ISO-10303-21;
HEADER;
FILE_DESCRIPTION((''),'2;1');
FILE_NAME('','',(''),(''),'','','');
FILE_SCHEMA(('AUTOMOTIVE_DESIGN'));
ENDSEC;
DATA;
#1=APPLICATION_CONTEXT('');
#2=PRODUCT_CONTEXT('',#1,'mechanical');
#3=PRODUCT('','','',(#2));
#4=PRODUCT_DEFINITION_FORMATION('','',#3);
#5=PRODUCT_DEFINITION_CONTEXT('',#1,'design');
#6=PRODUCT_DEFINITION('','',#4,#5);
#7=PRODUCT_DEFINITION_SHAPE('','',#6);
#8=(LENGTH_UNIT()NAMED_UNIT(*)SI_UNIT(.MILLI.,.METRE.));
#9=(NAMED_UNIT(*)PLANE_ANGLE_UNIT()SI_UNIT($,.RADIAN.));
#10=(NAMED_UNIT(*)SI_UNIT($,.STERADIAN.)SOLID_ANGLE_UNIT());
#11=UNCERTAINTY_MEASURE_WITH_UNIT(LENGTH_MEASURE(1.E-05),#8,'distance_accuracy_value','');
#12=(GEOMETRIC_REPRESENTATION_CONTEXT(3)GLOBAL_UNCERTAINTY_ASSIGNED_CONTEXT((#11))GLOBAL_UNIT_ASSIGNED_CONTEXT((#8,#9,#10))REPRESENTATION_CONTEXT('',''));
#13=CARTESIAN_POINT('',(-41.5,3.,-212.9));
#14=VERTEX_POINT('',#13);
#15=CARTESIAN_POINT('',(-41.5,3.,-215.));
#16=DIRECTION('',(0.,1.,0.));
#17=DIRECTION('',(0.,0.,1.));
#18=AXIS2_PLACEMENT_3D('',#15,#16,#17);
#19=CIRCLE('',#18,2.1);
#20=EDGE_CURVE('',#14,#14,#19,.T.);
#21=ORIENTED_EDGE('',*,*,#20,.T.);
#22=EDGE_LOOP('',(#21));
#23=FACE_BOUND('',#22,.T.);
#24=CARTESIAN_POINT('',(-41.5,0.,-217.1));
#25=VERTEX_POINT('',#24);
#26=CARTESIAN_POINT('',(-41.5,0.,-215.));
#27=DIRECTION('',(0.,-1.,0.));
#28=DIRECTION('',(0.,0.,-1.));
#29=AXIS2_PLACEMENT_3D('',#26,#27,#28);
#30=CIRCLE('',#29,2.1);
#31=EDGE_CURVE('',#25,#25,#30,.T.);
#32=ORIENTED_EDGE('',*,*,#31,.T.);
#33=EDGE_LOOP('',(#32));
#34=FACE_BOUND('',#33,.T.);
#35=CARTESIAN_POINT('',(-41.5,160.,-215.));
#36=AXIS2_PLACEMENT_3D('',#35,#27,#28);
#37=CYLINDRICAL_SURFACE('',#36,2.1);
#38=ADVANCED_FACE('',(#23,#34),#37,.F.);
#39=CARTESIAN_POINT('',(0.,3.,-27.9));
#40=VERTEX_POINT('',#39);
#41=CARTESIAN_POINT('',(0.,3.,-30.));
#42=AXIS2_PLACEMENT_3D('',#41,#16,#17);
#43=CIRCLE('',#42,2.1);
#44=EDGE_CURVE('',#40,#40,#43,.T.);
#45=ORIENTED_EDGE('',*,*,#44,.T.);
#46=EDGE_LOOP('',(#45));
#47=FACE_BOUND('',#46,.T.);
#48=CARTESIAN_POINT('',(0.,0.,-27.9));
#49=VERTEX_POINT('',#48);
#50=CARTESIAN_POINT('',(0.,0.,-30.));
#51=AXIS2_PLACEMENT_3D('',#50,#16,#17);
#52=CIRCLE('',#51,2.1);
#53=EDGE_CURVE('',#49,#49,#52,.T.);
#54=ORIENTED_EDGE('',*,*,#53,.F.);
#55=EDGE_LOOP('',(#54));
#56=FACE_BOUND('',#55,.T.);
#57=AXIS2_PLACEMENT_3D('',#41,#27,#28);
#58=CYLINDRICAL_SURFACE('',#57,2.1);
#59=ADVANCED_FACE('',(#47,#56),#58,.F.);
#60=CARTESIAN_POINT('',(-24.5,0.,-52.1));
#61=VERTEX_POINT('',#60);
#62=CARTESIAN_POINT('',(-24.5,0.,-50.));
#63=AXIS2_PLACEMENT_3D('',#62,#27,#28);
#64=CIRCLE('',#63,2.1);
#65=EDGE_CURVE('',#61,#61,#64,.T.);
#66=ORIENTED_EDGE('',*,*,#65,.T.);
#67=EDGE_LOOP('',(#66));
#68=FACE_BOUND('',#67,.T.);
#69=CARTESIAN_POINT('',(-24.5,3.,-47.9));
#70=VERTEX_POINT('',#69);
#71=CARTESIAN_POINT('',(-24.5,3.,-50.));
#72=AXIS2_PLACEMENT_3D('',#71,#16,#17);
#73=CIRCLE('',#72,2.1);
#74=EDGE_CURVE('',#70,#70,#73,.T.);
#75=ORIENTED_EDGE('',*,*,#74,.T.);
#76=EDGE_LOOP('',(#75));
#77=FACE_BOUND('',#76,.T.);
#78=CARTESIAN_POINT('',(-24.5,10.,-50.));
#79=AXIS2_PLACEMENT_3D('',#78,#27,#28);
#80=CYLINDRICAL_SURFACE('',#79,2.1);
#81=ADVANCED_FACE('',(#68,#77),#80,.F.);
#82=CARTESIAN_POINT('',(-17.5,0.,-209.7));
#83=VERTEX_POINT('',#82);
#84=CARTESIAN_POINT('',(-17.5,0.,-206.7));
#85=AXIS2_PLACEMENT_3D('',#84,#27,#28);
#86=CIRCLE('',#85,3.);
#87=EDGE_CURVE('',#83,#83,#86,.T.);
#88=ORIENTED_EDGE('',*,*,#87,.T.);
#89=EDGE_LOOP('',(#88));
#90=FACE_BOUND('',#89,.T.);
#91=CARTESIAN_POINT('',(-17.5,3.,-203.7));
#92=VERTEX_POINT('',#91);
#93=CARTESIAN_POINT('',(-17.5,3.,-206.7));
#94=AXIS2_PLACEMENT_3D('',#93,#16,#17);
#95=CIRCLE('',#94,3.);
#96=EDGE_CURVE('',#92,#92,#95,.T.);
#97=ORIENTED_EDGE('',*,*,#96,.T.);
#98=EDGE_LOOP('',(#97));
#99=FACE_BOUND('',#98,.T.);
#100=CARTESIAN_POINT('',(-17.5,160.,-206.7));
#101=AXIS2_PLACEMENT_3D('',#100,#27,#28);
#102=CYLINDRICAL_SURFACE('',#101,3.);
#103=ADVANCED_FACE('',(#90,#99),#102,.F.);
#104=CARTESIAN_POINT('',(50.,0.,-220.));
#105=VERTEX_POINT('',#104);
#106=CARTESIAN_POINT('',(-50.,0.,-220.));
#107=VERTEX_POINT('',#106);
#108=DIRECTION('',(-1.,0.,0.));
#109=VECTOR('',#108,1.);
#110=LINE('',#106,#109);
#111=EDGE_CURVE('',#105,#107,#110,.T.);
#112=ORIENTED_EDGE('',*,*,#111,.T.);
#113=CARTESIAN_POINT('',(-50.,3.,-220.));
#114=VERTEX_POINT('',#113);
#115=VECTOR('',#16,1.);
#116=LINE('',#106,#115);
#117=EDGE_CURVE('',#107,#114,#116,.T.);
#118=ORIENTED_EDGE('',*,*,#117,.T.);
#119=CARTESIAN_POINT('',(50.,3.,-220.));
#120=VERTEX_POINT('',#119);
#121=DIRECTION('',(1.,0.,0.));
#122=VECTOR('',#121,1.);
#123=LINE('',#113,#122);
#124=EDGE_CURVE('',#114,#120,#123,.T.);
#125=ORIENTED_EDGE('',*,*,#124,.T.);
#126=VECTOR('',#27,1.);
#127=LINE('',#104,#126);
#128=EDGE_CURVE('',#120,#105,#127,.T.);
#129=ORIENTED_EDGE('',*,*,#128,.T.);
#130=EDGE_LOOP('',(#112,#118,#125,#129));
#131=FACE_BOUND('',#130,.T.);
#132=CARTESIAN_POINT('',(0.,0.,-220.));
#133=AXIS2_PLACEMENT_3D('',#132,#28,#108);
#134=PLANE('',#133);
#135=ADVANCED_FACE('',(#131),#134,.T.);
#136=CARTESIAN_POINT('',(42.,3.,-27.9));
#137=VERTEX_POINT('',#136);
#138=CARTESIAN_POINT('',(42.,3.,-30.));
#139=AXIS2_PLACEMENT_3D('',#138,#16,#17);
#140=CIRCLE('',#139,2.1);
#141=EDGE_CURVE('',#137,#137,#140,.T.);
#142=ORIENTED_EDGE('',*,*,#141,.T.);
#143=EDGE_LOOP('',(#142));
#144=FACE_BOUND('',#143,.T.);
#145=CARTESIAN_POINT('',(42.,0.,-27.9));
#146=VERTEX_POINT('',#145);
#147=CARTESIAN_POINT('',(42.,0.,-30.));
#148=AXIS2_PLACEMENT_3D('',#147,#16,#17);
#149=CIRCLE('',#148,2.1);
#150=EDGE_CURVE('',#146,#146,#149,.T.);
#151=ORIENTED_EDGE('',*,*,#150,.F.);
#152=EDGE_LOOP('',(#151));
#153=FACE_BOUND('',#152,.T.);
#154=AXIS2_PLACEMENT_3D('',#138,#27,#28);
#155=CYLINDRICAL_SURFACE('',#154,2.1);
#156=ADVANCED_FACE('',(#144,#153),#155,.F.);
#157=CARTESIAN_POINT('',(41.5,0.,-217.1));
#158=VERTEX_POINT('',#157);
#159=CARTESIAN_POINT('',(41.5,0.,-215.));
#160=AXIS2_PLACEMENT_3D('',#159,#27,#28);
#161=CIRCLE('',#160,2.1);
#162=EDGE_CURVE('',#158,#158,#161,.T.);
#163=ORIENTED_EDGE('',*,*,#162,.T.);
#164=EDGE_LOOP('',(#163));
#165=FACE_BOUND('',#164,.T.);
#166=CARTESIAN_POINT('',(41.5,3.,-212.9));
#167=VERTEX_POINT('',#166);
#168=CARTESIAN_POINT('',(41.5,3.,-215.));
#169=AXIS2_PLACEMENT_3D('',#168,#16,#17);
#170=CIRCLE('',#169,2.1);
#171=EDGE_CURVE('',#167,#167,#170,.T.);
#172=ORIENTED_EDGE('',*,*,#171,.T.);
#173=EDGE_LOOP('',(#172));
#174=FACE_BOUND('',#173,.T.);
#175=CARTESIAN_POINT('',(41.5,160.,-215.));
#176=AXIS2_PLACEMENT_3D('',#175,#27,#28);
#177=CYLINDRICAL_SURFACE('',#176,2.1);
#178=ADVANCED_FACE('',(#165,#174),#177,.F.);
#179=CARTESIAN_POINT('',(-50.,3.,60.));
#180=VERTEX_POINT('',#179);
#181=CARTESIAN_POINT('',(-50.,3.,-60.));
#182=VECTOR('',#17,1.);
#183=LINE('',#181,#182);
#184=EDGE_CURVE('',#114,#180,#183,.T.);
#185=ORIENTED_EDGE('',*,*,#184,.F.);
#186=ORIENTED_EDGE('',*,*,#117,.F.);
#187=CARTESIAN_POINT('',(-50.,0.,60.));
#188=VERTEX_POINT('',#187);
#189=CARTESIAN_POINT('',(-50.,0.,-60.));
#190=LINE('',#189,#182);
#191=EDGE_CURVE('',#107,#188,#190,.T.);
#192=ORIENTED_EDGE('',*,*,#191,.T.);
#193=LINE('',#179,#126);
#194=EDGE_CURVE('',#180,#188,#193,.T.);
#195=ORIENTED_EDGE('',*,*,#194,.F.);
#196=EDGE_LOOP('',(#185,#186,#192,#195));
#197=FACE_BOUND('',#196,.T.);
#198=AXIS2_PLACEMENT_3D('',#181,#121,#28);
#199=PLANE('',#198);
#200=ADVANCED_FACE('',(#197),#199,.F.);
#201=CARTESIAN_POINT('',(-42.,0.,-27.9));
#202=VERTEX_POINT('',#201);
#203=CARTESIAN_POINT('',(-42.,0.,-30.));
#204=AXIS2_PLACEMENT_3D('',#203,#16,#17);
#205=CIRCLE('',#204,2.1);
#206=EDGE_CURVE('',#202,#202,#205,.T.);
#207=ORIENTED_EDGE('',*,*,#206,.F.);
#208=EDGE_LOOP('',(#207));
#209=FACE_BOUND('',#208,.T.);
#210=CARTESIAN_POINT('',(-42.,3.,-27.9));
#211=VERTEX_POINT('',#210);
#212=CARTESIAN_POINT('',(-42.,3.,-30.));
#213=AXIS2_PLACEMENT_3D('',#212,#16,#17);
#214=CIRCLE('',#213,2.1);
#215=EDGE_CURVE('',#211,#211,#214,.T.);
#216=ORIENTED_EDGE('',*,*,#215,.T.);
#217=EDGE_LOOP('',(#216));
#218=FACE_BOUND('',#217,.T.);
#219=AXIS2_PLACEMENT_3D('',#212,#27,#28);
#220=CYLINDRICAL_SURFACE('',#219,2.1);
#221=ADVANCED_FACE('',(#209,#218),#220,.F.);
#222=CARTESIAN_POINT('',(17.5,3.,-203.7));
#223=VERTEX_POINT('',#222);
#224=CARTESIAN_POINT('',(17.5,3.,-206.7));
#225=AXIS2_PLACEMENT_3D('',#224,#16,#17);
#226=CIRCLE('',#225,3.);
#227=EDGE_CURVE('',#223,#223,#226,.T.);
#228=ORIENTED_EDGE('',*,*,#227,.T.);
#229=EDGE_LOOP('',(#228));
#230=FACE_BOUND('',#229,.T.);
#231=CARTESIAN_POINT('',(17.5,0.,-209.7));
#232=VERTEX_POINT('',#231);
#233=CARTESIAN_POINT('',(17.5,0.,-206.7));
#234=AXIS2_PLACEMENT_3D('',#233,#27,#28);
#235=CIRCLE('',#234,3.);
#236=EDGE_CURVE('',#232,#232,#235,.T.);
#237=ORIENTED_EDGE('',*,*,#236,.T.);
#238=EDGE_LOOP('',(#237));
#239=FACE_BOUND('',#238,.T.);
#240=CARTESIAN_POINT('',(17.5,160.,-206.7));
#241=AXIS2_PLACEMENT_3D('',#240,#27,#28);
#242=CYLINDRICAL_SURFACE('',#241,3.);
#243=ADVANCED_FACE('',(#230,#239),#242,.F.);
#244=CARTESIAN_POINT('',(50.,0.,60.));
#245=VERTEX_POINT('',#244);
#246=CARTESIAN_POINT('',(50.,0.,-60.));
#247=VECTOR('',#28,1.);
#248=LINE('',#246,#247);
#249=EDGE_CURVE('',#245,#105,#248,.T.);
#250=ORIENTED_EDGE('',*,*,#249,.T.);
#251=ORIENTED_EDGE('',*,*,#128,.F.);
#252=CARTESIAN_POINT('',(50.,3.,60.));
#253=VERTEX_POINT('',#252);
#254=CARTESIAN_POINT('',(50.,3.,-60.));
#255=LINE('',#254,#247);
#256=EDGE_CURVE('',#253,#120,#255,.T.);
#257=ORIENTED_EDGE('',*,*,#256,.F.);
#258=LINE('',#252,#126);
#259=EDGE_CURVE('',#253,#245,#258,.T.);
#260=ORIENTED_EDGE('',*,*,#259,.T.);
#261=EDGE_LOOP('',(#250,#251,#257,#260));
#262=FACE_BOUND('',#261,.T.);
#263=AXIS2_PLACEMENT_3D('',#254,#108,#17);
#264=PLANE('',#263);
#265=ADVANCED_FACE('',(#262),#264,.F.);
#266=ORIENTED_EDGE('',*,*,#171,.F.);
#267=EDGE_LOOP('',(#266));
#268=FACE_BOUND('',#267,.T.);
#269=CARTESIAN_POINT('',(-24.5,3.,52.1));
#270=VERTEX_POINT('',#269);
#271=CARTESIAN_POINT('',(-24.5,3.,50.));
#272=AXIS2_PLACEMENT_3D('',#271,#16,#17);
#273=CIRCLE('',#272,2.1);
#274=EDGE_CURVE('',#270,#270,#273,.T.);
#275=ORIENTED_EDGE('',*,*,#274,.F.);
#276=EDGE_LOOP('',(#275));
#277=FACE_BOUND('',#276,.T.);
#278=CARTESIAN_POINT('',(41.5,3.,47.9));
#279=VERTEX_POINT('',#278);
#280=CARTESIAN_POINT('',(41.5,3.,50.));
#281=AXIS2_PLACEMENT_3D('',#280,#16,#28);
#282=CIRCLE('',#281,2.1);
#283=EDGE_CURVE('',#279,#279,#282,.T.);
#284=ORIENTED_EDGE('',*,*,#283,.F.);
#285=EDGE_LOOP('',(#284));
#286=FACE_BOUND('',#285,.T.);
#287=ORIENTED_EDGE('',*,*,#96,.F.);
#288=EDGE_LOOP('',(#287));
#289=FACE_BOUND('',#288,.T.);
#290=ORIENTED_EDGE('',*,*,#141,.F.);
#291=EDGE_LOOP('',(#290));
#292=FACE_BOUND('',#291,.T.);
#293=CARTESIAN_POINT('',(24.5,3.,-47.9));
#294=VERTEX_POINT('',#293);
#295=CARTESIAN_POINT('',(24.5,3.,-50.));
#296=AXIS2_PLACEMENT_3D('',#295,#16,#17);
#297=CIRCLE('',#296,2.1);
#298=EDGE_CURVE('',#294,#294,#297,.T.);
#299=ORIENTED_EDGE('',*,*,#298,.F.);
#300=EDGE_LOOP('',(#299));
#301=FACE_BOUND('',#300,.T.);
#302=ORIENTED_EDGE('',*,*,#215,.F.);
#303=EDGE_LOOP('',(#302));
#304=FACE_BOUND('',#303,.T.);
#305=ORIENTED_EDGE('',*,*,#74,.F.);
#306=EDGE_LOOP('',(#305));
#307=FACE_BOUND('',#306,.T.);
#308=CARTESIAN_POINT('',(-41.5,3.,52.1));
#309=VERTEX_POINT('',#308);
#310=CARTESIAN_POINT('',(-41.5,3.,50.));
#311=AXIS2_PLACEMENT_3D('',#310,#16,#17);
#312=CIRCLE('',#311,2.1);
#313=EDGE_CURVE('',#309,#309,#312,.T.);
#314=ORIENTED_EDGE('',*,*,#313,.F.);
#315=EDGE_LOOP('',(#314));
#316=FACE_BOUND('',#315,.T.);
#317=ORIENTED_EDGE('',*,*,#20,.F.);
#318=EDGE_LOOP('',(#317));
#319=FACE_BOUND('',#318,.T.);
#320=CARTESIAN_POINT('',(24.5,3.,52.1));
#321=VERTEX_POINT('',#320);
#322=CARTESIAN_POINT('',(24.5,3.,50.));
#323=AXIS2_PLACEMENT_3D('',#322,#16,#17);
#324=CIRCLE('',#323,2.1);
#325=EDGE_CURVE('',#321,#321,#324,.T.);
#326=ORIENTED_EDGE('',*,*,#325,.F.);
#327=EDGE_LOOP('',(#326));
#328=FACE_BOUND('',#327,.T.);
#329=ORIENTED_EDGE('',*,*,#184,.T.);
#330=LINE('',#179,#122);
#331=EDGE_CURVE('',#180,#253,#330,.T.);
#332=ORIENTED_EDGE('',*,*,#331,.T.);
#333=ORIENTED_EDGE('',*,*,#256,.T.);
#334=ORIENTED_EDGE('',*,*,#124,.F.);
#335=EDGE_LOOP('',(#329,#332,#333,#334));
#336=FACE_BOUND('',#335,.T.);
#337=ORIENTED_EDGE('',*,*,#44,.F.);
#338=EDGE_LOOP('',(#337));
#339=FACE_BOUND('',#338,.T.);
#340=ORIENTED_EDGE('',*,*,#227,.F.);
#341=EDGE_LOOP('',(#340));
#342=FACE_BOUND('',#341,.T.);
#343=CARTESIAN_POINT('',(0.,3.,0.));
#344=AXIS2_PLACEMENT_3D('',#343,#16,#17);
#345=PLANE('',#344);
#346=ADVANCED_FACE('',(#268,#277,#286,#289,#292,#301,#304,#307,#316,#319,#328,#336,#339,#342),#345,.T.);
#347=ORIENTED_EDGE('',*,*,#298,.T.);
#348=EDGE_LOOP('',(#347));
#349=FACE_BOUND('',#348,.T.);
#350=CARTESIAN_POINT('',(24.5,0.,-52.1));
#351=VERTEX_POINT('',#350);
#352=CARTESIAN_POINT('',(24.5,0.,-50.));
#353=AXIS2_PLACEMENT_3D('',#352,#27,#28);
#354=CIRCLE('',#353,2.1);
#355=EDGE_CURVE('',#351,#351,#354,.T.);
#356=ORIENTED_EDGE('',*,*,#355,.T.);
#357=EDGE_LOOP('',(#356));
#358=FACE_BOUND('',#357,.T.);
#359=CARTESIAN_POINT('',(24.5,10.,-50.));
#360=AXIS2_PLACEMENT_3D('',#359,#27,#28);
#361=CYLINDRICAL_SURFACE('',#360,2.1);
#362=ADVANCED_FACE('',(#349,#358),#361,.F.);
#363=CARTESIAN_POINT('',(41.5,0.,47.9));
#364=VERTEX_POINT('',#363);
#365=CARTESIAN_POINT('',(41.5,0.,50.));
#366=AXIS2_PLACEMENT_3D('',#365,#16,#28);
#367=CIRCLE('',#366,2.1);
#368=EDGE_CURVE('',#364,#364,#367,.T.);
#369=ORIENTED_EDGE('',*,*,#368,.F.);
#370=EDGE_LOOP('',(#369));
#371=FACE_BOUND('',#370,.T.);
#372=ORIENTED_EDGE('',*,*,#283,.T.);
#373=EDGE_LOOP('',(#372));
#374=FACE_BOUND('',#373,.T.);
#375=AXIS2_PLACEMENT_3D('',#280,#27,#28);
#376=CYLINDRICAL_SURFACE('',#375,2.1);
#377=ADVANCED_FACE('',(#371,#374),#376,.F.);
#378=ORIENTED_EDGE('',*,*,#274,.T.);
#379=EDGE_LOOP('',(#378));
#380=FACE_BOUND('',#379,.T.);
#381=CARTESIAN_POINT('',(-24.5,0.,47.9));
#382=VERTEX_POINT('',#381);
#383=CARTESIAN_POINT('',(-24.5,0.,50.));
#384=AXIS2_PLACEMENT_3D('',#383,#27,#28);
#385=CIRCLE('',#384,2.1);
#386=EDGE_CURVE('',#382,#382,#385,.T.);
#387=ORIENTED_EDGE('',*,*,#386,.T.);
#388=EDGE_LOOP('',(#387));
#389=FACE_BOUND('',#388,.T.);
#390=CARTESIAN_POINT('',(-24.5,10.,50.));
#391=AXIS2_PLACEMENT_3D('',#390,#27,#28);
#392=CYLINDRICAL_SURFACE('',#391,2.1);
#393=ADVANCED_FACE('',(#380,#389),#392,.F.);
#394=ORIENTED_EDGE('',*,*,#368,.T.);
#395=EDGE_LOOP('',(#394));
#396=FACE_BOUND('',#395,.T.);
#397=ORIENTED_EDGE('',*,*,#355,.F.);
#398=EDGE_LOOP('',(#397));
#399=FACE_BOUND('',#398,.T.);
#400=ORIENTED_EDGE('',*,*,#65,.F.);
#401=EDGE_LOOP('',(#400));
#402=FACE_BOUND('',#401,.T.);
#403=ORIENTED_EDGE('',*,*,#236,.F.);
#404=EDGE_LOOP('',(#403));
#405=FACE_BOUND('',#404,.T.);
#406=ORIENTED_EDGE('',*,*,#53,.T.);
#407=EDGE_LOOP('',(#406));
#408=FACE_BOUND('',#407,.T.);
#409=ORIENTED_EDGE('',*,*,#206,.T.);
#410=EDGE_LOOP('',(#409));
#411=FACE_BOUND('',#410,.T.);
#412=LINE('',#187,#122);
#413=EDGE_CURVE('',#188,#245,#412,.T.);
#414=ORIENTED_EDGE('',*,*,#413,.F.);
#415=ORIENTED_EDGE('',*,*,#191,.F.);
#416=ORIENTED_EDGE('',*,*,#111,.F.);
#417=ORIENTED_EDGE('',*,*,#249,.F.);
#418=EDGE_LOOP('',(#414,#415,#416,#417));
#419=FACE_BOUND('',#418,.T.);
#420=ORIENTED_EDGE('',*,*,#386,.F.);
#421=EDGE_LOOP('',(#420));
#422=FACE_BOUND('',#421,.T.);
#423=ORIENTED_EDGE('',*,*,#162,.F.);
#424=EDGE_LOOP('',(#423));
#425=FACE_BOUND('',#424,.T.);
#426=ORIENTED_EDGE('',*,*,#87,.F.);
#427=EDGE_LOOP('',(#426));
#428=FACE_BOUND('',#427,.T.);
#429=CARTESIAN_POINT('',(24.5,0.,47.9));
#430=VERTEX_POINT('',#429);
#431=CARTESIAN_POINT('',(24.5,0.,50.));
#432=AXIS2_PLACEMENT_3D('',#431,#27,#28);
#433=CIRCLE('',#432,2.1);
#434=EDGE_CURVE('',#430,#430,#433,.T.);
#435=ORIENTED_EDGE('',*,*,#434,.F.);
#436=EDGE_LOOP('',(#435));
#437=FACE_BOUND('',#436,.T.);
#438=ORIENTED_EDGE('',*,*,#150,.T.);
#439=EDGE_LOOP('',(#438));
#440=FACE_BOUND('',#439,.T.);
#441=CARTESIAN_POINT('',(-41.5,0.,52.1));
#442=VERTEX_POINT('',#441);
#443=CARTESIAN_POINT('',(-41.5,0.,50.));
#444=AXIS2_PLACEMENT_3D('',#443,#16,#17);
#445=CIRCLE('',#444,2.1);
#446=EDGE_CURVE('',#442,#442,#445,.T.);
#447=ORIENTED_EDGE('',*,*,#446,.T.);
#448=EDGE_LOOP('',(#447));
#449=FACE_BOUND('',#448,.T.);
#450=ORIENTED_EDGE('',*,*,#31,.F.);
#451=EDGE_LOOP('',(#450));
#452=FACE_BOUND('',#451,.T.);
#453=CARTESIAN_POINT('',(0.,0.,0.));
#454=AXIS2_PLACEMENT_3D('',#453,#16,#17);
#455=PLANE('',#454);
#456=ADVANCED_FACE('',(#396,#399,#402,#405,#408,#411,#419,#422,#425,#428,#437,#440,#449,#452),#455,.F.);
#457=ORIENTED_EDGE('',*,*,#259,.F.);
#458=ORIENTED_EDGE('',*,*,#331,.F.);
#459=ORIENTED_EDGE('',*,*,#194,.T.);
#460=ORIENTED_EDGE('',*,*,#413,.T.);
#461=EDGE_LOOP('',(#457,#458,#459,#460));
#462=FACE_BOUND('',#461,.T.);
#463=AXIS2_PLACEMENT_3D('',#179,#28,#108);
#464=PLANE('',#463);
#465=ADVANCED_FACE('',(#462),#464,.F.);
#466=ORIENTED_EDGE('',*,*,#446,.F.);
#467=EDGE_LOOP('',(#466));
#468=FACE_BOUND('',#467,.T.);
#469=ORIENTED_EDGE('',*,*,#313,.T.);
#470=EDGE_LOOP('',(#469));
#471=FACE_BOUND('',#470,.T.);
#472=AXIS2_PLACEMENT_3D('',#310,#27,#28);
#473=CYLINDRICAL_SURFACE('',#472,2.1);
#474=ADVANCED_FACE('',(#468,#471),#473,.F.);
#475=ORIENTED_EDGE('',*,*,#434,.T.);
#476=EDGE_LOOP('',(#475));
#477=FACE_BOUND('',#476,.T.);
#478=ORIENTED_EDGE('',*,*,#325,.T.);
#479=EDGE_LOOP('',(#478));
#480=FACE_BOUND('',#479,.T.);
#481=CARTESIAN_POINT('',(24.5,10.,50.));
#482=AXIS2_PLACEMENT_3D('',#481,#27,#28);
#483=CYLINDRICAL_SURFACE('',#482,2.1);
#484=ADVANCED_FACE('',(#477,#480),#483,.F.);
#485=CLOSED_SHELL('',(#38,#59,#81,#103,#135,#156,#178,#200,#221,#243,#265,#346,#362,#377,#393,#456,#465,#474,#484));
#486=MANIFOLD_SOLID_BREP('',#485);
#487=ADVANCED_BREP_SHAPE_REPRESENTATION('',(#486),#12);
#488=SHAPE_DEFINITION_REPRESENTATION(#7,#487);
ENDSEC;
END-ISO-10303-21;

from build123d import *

# Parameters (mm, degrees)
SKETCH1_W           = 100
SKETCH1_H           = 120
SKETCH1_R           = 2.1
BOSS_EXTRUDE1_DEPTH = 3
SKETCH2_R           = 2.1
CUT_EXTRUDE1_DEPTH  = 10
SKETCH3_W           = 100
SKETCH3_H           = 3
BOSS_EXTRUDE2_DEPTH = 160
SKETCH4_R           = 3
SKETCH4_R_2         = 2.1
CUT_EXTRUDE2_DEPTH  = 160


with BuildPart() as part:
    # Sketch1 → Boss-Extrude1 (new body)
    with BuildSketch(Plane(origin=(0, 0, 0), x_dir=(1, 0, 0), z_dir=(0, 1, 0))):
        Rectangle(SKETCH1_W, SKETCH1_H)
        with Locations(Location((41.5, -50, 0), (0, 0, 90))):
            Circle(SKETCH1_R, mode=Mode.SUBTRACT)
        with Locations(Location((-41.5, -50, 0), (0, 0, 270))):
            Circle(SKETCH1_R, mode=Mode.SUBTRACT)
        with Locations(Location((-42, 30, 0), (0, 0, 270))):
            Circle(SKETCH1_R, mode=Mode.SUBTRACT)
        with Locations(Location((0, 30, 0), (0, 0, 270))):
            Circle(SKETCH1_R, mode=Mode.SUBTRACT)
        with Locations(Location((42, 30, 0), (0, 0, 270))):
            Circle(SKETCH1_R, mode=Mode.SUBTRACT)
    extrude(amount=BOSS_EXTRUDE1_DEPTH)

    # Sketch2 → Cut-Extrude1 (cut)
    with BuildSketch(Plane.XZ):
        with Locations(Location((-24.5, -50, 0), (0, 0, 270))):
            Circle(SKETCH2_R)
        with Locations(Location((24.5, -50, 0), (0, 0, 270))):
            Circle(SKETCH2_R)
        with Locations(Location((24.5, 50, 0), (0, 0, 270))):
            Circle(SKETCH2_R)
        with Locations(Location((-24.5, 50, 0), (0, 0, 270))):
            Circle(SKETCH2_R)
    extrude(amount=-CUT_EXTRUDE1_DEPTH, mode=Mode.SUBTRACT)

    # Sketch3 → Boss-Extrude2 (add)
    with BuildSketch(Plane(origin=(0, 0, -60), x_dir=(-1, 0, 0), z_dir=(0, 0, -1))):
        with Locations((0, 1.5)):
            Rectangle(SKETCH3_W, SKETCH3_H)
    extrude(amount=BOSS_EXTRUDE2_DEPTH)

    # Sketch4 → Cut-Extrude2 (cut)
    with BuildSketch(Plane.XZ):
        with Locations(Location((17.5, -206.7, 0), (0, 0, 270))):
            Circle(SKETCH4_R)
        with Locations(Location((-17.5, -206.7, 0), (0, 0, 270))):
            Circle(SKETCH4_R)
        with Locations(Location((-41.5, -215, 0), (0, 0, 270))):
            Circle(SKETCH4_R_2)
        with Locations(Location((41.5, -215, 0), (0, 0, 270))):
            Circle(SKETCH4_R_2)
    extrude(amount=-CUT_EXTRUDE2_DEPTH, mode=Mode.SUBTRACT)


solid = part.part
